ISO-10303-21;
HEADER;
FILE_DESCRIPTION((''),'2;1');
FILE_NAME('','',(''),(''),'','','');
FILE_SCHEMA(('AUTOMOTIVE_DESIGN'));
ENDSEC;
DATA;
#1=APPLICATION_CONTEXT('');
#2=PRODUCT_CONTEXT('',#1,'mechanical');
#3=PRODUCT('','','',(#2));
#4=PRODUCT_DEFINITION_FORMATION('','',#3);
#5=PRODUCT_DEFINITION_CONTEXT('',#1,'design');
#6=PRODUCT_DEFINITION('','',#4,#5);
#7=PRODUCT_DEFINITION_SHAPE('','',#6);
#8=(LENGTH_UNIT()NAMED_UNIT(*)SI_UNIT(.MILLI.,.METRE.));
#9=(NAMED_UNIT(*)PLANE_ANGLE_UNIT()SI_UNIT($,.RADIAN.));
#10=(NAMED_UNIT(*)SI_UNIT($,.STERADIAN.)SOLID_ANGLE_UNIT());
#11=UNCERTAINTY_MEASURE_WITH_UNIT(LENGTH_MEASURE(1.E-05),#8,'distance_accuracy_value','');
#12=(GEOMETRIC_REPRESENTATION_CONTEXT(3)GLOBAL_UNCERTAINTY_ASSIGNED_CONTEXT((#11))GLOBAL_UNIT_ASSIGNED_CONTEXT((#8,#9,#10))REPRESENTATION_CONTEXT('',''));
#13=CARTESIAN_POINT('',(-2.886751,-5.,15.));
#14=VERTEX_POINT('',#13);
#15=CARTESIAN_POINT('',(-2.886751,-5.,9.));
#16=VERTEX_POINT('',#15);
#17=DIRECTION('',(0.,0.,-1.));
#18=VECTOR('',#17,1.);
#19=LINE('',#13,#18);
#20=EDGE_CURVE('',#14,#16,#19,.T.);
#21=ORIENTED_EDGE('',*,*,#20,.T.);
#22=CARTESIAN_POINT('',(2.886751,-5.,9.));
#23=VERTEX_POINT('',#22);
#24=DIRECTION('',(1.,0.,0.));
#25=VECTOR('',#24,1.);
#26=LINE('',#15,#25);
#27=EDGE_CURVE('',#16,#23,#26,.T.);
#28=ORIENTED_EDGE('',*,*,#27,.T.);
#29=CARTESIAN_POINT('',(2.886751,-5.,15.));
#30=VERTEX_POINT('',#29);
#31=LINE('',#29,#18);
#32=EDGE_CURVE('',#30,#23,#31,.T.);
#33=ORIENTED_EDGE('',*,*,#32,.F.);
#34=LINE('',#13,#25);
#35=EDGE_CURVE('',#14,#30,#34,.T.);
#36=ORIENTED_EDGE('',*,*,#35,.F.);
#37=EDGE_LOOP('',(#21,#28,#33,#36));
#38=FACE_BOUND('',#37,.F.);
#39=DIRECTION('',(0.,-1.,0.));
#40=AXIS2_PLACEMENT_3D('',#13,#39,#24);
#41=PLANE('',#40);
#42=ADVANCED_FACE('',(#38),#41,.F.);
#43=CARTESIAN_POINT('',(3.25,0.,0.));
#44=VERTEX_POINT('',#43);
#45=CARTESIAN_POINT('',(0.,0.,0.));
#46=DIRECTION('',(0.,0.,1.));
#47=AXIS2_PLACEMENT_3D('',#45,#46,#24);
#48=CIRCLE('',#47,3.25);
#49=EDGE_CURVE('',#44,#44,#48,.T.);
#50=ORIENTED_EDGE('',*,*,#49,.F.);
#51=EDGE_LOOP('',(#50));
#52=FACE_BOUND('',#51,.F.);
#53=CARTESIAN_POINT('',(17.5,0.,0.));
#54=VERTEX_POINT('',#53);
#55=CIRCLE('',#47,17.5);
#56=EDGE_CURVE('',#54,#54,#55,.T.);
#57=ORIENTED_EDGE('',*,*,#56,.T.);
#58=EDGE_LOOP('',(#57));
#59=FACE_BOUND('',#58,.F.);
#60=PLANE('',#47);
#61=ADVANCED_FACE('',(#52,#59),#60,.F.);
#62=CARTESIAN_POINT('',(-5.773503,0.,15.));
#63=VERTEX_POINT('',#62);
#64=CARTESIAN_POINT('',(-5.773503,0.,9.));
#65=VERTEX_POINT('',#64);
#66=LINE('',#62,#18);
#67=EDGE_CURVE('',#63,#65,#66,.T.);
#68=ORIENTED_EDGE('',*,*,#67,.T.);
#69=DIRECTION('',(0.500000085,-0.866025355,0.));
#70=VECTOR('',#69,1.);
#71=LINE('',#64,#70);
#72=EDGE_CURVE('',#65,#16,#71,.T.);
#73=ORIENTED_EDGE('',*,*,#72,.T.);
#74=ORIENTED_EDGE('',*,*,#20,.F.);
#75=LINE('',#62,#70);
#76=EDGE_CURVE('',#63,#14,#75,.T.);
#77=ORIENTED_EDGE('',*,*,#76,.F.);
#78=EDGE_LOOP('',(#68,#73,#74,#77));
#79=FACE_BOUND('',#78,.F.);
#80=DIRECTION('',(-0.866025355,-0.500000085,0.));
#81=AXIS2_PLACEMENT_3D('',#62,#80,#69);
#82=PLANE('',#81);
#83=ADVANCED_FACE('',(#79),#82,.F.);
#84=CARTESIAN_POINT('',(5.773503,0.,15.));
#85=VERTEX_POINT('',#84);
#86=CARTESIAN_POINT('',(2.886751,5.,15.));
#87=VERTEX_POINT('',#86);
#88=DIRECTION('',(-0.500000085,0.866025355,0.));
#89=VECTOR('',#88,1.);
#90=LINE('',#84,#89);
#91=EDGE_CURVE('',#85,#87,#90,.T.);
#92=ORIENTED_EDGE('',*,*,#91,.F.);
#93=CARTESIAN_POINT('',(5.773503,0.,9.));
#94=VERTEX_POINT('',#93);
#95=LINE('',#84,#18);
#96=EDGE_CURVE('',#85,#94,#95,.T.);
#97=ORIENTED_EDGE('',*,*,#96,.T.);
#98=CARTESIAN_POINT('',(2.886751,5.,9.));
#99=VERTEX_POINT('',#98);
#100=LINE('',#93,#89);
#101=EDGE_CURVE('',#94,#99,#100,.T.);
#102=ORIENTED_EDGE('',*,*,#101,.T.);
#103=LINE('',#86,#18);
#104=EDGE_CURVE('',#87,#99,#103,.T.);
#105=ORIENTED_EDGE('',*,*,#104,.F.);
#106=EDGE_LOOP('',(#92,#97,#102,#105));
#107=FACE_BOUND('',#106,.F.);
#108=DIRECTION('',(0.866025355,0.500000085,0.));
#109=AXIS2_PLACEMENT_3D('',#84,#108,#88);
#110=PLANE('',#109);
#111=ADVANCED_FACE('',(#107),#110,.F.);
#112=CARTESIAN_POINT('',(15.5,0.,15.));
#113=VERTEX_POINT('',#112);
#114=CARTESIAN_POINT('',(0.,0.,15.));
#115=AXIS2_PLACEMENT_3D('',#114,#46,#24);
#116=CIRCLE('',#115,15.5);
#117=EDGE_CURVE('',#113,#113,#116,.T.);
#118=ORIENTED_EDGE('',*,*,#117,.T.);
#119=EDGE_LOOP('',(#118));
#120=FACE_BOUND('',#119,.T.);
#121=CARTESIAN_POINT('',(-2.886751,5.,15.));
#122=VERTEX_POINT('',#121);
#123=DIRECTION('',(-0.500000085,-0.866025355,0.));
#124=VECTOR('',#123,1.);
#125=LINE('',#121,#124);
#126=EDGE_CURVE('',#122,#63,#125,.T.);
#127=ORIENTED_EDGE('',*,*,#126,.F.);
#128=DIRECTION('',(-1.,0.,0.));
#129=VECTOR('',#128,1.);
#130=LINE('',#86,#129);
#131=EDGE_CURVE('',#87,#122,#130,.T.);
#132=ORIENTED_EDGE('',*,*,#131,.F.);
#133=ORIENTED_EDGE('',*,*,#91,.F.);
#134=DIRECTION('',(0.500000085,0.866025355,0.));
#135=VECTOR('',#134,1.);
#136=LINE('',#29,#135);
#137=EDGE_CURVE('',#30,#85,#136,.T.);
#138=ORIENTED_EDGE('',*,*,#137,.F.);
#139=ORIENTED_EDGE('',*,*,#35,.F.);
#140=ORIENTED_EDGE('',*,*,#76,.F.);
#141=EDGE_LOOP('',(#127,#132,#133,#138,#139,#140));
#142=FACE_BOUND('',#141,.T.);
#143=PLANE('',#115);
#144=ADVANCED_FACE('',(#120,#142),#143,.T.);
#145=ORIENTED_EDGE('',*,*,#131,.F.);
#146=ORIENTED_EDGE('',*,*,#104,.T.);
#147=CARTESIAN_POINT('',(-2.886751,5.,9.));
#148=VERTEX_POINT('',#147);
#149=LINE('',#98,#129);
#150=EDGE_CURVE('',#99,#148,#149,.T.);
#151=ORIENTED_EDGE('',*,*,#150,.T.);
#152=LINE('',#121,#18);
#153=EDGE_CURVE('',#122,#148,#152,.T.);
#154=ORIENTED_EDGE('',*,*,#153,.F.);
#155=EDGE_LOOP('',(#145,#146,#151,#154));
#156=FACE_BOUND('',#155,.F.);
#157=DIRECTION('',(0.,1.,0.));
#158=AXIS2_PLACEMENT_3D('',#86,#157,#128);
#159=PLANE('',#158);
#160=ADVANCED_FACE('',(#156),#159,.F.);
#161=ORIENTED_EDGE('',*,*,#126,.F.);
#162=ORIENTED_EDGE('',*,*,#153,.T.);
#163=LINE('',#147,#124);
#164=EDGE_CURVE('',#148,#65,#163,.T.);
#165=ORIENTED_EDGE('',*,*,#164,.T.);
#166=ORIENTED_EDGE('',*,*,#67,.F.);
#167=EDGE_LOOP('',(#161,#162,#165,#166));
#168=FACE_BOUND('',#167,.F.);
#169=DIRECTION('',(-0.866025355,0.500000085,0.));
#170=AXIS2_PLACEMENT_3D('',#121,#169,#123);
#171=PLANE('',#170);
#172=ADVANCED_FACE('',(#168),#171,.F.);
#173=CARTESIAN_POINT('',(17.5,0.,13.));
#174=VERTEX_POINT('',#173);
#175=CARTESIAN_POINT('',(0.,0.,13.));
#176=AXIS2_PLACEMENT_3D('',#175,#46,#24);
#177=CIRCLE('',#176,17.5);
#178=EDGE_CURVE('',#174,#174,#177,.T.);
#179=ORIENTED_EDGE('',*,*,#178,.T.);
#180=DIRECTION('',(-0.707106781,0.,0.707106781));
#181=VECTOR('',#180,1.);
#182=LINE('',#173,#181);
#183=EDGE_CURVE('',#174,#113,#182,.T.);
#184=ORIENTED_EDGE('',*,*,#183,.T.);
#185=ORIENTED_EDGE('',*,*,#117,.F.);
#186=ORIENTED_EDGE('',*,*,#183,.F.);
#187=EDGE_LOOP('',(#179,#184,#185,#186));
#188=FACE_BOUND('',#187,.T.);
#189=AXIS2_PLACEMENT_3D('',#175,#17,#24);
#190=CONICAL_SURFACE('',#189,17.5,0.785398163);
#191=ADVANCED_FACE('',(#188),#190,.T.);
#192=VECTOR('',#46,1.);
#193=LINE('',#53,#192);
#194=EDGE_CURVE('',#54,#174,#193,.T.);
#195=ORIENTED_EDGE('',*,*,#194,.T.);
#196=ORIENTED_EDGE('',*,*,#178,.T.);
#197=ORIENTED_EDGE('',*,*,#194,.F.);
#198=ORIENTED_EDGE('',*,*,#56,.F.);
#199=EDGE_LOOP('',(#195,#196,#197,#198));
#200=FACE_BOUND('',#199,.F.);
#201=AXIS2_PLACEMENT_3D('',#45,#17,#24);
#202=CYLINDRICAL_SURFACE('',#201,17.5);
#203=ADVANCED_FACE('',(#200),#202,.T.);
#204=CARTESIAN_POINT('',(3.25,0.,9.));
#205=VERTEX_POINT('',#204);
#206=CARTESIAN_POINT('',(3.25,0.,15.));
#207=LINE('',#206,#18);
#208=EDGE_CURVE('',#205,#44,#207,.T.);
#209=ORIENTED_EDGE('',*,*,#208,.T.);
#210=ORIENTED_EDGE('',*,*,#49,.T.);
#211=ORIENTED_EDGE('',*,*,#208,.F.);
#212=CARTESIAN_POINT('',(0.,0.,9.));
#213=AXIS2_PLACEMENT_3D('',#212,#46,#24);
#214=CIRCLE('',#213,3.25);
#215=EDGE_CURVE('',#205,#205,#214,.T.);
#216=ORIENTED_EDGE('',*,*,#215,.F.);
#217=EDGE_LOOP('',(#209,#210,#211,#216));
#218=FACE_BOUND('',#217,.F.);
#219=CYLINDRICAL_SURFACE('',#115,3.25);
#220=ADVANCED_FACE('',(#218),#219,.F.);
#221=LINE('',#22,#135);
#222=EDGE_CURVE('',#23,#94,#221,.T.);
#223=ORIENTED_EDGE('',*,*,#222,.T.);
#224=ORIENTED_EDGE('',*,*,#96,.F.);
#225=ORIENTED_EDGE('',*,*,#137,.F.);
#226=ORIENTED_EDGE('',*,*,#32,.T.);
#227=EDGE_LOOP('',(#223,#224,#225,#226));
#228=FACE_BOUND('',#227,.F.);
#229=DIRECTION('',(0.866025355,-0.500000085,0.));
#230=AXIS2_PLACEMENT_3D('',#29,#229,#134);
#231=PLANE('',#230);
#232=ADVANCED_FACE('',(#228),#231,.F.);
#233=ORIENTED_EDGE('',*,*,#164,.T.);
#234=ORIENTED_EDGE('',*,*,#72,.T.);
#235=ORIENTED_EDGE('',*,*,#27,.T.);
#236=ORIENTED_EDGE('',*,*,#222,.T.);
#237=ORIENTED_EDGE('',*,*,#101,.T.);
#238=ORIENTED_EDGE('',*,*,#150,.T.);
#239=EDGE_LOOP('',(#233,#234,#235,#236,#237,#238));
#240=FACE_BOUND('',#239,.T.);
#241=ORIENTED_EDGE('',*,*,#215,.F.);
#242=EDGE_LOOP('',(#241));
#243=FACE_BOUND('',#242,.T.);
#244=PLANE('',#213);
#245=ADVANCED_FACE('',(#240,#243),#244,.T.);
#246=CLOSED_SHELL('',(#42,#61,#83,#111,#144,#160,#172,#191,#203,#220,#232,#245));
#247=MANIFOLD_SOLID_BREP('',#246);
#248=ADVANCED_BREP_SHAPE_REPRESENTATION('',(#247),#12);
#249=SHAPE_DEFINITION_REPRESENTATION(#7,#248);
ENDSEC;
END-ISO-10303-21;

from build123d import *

# Parameters (mm, degrees)
SKETCH_R        = 17.5
PAD_DEPTH       = 15
SKETCH001_R     = 3.25
POCKET_DEPTH    = 15.001
POCKET001_DEPTH = 6
CHAMFER_SIZE    = 2


with BuildPart() as part:
    # Sketch → Pad (new body)
    with BuildSketch(Plane.XY):
        Circle(SKETCH_R)
    extrude(amount=PAD_DEPTH)

    # Sketch001 (on Face3 of Pad) → Pocket (cut, through all)
    with BuildSketch(Plane.XY.offset(15)):
        Circle(SKETCH001_R)
    extrude(amount=-POCKET_DEPTH, mode=Mode.SUBTRACT)

    # Sketch002 (on Face3 of Pocket) → Pocket001 (cut)
    with BuildSketch(Plane.XY.offset(15)):
        Polygon((2.886751, 5), (-2.886751, 5), (-5.773503, 0), (-2.886751, -5), (2.886751, -5), (5.773503, 0), align=None)
    extrude(amount=-POCKET001_DEPTH, mode=Mode.SUBTRACT)

    # Chamfer
    chamfer_edges = [part.edges().sort_by_distance(p)[0] for p in [
        (-17.5, 0, 15),
    ]]
    chamfer(chamfer_edges, length=CHAMFER_SIZE)


solid = part.part
